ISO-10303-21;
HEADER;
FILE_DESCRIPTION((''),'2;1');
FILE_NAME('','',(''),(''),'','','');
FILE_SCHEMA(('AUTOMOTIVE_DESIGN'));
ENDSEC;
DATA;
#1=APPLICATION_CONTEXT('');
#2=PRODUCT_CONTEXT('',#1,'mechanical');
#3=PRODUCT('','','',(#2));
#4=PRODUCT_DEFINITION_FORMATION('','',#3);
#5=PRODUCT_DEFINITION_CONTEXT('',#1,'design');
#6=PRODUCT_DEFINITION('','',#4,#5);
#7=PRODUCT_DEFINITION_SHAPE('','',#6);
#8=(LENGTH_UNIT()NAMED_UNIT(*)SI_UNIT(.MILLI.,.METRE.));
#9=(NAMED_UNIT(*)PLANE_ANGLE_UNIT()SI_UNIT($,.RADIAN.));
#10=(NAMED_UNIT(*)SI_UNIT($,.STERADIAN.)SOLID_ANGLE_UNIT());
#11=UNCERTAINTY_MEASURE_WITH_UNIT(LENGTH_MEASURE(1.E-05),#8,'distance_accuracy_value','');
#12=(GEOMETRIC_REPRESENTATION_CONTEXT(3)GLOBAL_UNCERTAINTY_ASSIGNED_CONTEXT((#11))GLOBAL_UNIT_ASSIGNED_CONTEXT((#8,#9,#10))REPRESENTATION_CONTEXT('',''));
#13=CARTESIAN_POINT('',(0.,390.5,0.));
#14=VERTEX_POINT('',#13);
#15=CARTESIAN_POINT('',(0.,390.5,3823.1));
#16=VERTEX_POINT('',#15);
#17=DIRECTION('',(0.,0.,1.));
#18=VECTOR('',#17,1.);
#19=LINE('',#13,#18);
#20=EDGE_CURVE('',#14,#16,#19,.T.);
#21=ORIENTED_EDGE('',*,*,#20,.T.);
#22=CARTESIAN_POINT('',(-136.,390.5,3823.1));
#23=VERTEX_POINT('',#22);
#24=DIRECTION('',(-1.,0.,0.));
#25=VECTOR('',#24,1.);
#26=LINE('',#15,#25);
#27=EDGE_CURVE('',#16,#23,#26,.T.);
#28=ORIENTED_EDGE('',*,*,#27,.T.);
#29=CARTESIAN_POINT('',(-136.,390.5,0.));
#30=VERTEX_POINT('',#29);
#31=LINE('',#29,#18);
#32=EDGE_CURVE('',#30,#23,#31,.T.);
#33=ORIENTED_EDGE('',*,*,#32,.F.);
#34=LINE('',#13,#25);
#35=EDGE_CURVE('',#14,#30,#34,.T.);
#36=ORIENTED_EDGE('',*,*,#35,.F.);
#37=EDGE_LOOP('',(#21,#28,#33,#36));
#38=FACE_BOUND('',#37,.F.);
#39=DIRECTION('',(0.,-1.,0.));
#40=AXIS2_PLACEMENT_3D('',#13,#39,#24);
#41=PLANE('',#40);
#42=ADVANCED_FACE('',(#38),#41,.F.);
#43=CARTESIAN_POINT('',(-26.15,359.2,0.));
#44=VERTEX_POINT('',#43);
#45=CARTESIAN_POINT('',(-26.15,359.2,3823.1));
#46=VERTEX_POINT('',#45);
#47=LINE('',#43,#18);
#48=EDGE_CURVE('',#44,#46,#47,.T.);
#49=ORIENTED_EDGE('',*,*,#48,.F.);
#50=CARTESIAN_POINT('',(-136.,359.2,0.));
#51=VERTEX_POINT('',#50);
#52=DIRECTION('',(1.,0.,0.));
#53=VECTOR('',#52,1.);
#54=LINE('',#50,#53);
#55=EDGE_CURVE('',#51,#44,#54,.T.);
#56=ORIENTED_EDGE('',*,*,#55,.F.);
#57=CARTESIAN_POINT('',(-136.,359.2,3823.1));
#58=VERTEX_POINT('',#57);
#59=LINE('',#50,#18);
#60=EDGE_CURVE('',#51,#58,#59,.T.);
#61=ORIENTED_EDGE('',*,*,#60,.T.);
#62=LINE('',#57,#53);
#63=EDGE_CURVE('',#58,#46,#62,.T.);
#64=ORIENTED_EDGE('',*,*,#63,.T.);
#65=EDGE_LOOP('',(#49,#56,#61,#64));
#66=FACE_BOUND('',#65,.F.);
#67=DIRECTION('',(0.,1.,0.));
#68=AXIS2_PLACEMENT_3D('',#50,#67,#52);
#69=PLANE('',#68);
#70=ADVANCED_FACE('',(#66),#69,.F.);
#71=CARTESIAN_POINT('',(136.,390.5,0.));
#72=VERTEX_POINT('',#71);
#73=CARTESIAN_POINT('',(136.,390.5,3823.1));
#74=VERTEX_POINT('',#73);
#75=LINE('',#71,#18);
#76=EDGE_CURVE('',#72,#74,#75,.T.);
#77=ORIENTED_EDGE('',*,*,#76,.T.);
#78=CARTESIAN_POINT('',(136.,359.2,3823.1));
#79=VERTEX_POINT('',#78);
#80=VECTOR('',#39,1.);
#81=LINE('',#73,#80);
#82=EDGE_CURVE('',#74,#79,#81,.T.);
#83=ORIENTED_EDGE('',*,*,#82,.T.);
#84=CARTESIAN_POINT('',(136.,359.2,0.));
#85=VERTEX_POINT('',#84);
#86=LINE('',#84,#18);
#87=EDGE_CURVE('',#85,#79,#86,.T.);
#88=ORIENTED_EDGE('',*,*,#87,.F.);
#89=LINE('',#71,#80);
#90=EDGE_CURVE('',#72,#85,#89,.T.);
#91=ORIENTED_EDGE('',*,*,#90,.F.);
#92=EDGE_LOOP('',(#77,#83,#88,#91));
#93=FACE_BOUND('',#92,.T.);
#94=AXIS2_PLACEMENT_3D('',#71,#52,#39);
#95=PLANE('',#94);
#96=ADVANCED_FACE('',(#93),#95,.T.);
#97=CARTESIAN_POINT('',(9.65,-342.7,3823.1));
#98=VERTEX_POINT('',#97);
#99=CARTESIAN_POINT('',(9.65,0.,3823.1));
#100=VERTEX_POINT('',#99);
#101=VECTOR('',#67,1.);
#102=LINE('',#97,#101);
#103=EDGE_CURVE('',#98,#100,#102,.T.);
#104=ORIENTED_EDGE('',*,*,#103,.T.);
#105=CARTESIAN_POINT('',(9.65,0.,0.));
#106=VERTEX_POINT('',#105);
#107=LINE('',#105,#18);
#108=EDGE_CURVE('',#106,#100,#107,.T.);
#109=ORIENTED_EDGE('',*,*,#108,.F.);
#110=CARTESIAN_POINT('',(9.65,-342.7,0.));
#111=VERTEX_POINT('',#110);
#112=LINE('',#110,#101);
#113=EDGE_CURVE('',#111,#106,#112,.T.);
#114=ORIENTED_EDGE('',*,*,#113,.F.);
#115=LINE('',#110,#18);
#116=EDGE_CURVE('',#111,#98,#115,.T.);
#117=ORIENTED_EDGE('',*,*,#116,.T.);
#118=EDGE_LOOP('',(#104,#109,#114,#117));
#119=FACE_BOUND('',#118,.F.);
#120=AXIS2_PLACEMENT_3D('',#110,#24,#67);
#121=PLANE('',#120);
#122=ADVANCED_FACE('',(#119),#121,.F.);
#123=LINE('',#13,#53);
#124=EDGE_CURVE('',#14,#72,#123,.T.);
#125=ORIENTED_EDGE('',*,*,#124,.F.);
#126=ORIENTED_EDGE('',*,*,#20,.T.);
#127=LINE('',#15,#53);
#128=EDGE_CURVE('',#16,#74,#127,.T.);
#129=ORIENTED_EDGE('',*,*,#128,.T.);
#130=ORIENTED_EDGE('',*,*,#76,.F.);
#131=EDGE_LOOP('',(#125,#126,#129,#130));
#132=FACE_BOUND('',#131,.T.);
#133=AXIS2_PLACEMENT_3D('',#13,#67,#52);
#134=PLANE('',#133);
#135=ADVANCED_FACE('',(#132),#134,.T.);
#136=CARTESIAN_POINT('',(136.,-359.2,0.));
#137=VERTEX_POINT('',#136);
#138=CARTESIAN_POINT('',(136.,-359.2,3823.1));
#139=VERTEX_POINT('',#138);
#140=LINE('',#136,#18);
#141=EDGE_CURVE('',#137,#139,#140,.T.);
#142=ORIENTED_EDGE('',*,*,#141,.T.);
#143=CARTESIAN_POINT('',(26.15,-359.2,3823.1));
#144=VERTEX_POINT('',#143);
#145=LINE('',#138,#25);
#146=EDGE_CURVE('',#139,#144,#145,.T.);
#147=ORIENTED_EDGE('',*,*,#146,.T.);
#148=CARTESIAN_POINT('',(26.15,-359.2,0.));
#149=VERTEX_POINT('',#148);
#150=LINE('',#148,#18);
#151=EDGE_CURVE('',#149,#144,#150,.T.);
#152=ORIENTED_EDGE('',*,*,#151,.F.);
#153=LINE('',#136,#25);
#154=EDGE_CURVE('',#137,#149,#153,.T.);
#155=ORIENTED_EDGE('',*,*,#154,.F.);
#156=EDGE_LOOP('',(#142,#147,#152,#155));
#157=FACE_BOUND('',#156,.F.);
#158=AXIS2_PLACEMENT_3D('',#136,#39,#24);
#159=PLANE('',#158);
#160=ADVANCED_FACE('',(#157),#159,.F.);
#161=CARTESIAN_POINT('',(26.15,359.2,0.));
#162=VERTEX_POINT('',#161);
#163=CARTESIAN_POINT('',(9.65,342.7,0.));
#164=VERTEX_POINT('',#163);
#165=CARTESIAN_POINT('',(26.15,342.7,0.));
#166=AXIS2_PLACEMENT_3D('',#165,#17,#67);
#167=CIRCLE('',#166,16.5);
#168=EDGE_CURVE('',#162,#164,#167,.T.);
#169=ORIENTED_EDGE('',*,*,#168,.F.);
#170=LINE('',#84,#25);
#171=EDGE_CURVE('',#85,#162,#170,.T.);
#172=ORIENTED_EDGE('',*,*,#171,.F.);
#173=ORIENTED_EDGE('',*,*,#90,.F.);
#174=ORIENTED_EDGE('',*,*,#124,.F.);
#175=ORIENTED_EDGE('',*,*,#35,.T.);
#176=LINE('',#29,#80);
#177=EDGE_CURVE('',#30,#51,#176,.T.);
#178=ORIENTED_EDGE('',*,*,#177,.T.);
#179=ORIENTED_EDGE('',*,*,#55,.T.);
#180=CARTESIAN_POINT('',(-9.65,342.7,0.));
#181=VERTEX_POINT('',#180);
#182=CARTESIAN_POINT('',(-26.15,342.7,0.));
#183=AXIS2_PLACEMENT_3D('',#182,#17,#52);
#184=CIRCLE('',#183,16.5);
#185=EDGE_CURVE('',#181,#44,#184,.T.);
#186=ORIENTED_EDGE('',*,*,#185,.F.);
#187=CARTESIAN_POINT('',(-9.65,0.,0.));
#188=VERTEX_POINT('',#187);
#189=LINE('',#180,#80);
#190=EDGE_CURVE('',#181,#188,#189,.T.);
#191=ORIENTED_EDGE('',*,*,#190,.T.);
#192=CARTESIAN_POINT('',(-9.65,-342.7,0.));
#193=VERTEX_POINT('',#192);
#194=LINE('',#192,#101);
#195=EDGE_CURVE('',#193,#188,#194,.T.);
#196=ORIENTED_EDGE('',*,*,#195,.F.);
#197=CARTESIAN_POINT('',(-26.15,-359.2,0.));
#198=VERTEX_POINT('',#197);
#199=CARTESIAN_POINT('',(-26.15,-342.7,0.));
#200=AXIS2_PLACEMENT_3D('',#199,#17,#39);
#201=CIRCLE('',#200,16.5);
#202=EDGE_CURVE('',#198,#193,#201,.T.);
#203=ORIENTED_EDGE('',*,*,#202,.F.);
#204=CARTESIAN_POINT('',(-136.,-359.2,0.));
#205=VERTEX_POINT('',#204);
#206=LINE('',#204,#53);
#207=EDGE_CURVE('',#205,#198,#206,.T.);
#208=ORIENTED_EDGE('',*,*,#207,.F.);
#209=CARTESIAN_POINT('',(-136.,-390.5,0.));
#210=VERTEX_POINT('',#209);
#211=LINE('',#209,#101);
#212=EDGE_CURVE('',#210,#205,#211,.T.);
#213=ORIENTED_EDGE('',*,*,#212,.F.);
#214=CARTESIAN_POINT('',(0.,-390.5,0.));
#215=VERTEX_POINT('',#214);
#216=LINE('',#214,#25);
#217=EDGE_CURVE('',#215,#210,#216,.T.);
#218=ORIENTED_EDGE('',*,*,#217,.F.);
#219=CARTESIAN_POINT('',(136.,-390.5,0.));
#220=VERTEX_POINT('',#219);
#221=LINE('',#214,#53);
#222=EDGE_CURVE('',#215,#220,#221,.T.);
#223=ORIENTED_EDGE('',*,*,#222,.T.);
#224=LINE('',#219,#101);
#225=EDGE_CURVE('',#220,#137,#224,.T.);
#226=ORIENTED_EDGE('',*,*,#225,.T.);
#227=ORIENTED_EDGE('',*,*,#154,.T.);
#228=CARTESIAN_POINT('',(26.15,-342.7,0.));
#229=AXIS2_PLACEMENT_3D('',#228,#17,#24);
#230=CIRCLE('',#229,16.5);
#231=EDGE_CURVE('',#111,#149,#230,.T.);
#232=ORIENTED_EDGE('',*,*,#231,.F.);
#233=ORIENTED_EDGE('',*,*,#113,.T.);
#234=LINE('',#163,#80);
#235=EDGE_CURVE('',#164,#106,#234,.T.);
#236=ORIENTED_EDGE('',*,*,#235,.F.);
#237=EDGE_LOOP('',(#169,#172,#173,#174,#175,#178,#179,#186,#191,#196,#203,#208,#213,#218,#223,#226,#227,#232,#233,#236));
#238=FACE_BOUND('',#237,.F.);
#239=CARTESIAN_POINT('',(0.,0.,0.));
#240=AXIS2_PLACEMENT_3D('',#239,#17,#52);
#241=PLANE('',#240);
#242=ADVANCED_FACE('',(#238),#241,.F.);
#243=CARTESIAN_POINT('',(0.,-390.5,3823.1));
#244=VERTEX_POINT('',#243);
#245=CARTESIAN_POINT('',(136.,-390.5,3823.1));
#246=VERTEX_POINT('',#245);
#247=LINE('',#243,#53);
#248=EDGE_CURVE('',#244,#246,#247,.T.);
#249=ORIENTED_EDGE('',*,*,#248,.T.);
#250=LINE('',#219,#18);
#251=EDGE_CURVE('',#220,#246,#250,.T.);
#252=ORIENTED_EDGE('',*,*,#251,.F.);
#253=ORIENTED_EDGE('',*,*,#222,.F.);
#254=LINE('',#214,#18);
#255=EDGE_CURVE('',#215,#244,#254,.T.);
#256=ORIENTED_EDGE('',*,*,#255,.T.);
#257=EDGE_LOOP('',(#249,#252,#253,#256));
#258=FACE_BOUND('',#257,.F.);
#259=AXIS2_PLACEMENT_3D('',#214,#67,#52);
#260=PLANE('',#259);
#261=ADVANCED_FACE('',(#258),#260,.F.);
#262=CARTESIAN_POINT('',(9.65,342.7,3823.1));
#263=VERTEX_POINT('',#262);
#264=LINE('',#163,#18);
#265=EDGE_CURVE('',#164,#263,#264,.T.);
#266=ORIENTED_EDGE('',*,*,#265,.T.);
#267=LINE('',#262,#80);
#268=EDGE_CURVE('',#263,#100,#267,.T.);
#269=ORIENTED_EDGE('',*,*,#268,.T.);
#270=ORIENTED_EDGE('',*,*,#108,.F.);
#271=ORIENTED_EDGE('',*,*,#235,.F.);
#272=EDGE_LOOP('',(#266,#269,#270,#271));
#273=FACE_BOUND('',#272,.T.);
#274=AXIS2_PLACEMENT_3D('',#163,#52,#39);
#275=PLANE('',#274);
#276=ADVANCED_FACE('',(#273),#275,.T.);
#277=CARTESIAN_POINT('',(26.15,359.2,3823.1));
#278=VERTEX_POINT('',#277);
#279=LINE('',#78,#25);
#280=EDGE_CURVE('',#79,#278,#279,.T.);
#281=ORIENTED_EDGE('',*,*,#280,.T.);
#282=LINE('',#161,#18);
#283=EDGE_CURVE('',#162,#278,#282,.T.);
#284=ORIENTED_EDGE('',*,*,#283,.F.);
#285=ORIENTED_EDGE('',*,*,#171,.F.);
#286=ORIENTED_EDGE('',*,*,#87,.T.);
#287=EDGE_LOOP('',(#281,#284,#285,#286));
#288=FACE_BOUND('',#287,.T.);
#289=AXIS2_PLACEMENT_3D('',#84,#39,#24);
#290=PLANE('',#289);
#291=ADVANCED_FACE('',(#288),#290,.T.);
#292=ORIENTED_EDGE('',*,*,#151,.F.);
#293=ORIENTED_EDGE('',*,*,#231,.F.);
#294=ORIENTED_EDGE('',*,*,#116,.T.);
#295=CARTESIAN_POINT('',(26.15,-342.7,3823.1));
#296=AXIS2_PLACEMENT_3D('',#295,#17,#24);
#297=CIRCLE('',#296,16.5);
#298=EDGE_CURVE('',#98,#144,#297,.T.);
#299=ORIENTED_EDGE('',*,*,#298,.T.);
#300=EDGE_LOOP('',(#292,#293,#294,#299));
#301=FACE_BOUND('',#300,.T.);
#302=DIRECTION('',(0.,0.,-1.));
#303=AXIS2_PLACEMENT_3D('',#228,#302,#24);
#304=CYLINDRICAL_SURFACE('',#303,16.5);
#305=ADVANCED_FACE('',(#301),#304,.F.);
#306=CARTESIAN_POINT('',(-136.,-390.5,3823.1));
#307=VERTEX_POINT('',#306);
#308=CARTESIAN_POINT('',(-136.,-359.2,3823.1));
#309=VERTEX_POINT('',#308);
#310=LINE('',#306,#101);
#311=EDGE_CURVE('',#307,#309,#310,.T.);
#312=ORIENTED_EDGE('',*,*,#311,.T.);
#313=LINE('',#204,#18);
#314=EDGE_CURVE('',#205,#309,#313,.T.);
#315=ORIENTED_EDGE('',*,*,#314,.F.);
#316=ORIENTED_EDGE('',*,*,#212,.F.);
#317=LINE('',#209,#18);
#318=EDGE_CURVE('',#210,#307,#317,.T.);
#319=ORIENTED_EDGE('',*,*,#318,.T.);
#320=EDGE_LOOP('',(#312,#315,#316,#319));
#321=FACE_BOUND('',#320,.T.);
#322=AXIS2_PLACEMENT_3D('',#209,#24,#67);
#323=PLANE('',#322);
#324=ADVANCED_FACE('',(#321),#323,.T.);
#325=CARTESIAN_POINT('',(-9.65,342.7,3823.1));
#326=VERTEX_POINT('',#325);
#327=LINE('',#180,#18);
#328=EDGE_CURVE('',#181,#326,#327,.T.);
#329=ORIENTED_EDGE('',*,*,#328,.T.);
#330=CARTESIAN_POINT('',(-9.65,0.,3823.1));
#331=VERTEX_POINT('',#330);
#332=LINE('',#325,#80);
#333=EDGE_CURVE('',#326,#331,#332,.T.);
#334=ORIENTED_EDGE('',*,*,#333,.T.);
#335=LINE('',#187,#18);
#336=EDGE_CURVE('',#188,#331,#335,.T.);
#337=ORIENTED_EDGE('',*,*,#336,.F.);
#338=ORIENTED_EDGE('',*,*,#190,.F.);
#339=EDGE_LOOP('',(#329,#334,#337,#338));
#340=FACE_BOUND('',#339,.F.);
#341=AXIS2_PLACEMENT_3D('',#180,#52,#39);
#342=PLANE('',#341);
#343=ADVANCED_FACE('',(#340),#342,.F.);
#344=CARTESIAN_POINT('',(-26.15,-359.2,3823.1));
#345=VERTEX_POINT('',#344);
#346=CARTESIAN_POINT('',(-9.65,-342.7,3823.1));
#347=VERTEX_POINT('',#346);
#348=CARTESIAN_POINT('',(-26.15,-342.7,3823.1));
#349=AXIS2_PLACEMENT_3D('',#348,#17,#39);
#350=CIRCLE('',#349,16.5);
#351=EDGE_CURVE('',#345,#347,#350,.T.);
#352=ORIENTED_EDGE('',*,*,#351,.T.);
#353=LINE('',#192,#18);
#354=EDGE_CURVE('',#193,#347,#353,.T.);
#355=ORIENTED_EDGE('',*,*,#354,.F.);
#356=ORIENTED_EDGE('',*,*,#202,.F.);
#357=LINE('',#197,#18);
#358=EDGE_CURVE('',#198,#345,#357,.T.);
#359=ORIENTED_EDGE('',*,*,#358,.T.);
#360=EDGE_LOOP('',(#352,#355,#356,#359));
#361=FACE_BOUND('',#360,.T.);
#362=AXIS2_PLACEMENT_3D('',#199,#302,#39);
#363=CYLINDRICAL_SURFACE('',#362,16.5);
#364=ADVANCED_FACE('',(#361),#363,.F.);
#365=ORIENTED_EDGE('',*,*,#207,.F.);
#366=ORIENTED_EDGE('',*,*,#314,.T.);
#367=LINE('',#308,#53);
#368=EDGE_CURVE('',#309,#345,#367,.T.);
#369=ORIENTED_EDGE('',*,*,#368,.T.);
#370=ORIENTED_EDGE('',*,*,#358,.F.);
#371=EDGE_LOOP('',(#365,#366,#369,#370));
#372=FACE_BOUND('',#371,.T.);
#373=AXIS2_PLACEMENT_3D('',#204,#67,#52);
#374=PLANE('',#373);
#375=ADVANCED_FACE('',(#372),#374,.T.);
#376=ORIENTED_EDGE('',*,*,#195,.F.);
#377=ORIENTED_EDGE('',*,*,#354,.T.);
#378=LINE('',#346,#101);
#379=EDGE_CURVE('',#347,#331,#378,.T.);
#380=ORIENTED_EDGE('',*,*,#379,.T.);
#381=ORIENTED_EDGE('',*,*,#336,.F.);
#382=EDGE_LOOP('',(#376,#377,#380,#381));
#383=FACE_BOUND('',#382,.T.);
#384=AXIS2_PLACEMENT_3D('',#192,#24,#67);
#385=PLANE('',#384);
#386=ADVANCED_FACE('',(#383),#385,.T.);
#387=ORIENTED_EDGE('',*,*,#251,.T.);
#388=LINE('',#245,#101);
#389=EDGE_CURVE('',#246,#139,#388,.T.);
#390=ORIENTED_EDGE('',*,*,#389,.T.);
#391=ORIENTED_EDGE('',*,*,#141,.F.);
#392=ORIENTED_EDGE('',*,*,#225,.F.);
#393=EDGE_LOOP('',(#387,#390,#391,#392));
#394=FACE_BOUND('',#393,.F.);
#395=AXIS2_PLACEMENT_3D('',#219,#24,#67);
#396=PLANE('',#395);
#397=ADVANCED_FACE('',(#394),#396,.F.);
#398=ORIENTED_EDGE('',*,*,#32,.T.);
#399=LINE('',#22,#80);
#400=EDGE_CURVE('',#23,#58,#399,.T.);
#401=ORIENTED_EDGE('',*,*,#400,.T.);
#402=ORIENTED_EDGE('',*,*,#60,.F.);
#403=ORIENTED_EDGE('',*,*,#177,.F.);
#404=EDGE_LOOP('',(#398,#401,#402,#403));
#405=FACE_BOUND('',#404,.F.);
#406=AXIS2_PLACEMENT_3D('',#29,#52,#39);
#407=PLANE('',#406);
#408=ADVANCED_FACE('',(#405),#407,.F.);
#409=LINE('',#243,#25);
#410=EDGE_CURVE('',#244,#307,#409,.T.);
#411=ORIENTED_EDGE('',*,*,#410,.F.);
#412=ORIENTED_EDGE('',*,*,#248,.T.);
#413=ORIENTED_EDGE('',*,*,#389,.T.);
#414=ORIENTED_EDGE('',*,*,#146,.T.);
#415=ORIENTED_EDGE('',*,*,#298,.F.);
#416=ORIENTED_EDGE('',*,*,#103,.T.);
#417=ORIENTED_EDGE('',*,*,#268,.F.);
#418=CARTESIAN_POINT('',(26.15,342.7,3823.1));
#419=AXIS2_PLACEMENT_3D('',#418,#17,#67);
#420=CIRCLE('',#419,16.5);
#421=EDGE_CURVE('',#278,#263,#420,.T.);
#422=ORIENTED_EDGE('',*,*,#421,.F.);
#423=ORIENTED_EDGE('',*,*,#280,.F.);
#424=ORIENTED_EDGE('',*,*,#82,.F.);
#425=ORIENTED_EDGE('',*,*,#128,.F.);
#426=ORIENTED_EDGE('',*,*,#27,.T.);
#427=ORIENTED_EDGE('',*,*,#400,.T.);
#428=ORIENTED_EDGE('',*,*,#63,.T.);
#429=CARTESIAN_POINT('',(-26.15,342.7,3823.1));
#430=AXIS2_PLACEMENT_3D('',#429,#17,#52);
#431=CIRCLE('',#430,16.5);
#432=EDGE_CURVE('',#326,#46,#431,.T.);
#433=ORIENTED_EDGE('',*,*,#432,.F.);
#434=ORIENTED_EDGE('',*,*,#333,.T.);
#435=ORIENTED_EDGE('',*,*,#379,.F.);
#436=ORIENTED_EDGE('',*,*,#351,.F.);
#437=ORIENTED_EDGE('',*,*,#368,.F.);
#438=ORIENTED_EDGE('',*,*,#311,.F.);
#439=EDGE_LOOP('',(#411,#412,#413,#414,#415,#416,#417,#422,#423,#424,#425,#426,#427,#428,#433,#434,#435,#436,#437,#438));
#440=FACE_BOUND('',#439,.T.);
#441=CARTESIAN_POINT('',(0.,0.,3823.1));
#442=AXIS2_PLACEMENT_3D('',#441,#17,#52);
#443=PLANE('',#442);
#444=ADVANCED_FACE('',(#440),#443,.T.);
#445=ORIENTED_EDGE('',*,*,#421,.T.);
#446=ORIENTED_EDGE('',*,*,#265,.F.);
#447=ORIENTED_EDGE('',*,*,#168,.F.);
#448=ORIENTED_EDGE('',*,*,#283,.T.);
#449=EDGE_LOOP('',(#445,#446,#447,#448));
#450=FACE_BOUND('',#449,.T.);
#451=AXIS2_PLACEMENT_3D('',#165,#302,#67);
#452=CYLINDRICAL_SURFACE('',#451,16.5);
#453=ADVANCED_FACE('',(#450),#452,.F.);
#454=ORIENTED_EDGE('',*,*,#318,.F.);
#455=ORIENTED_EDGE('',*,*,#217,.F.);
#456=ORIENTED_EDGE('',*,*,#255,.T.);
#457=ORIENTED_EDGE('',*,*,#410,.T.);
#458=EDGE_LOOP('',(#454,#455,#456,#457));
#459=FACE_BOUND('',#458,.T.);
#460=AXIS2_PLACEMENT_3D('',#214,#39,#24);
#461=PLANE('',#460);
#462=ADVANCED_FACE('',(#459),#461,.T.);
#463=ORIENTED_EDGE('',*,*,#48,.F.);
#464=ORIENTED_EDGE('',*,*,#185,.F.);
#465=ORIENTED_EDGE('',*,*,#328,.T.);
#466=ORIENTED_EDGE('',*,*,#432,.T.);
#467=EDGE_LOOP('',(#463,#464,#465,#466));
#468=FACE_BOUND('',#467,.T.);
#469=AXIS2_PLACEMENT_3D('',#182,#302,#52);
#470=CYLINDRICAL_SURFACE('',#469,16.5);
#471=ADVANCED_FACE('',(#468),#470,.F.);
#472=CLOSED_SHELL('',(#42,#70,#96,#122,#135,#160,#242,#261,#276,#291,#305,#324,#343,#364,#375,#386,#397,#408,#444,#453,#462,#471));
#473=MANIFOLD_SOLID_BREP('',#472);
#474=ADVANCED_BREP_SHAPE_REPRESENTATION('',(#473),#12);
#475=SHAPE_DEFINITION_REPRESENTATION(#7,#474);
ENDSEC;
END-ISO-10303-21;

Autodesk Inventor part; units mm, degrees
ref_plane "YZ Plane" through (0, 0, 0) normal (1, 0, 0) x (0, 1, 0)
ref_plane "Start plane" through (0, 0, 0) normal (0, 0, 1) x (1, 0, 0)
ref_plane "End plane" through (0, 0, 3823.1) normal (0, 0, 1) x (1, 0, 0)
sketch "Sketch" plane through (0, 0, 0) normal (0, 0, 1) x (1, 0, 0)
  line L0 (-136, -390.5) -> (-136, -359.2)
  line L1 (-136, -359.2) -> (-26.15, -359.2)
  line L2 (-9.65, -342.7) -> (-9.65, 0)
  line L3 (-9.65, 0) -> (0, 0) construction
  line L4 (0, 0) -> (0, -390.5) construction
  line L5 (0, -390.5) -> (-136, -390.5)
  line L6 (-60, 0) -> (80, 0) construction
  line L7 (0, -60) -> (0, 80) construction
  line L8 (136, -390.5) -> (136, -359.2)
  line L9 (136, -359.2) -> (26.15, -359.2)
  line L10 (9.65, -342.7) -> (9.65, 0)
  line L11 (9.65, 0) -> (0, 0) construction
  line L12 (0, -390.5) -> (136, -390.5)
  line L13 (-136, 390.5) -> (-136, 359.2)
  line L14 (-136, 359.2) -> (-26.15, 359.2)
  line L15 (-9.65, 342.7) -> (-9.65, 0)
  line L16 (0, 390.5) -> (-136, 390.5)
  line L17 (136, 390.5) -> (136, 359.2)
  line L18 (136, 359.2) -> (26.15, 359.2)
  line L19 (0, 390.5) -> (136, 390.5)
  line L20 (9.65, 342.7) -> (9.65, 0)
  arc A0 (-9.65, 342.7) -> (-26.15, 359.2) centre (-26.15, 342.7) ccw
  arc A1 (26.15, 359.2) -> (9.65, 342.7) centre (26.15, 342.7) ccw
  arc A2 (9.65, -342.7) -> (26.15, -359.2) centre (26.15, -342.7) ccw
  arc A3 (-26.15, -359.2) -> (-9.65, -342.7) centre (-26.15, -342.7) ccw
  line L21 (0, 108) -> (0, -88) construction
  line L22 (-88, 0) -> (108, 0) construction
  point P0 (-9.65, -359.2)
  point P1 (9.65, -359.2)
  point P2 (-9.65, 359.2)
  point P3 (9.65, 359.2)
  dimension "d1" = 390.5
  dimension "d2" = 31.3
  dimension "d3" = 136
  dimension "d4" = 9.65
  dimension "d10" = 16.5
extrude "Body" add sketch "Sketch" along normal up to surface (3823.1 mm away) from surface at 0
sketch "Sketch4" plane through (0, 0, 0) normal (0, 0, 1) x (1, 0, 0)
  line L0 (0, 0) -> (10, 0)
ref_plane "Work Plane3" through (0, 0, 0) normal (0, -1, 0) x (1, 0, 0)
sketch "Sketch5" plane through (0, 0, 0) normal (0, -1, 0) x (1, 0, 0)
  line L0 (-2, 0) -> (12, 0) projected
  line L1 (-2, 3823.1) -> (12, 3823.1) projected
  dimension "d14" = 3823.1
equation "\"d1\" = 0.5 * G_H"
equation "\"d2\" = G_T1"
equation "\"d3\" = 0.5 * G_W"
equation "\"d4\" = 0.5 * G_T"
equation "\"d10\" = G_IR"
equation "\"d5\" = G_L"
equation "\"G_W\" = 272"
equation "\"G_H\" = 781"
equation "\"G_T\" = 19.3"
equation "\"G_T1\" = 31.3"
equation "\"G_IR\" = 16.5"
equation "\"G_L\" = d14"
equation "\"G_OFFSET_START\" = 0"
equation "\"G_OFFSET_END\" = 0"
equation "\"d12\" = G_OFFSET_END + B_L"
equation "\"B_L\" = 3823.1"
properties part number "AS 3679-1990 - 760 UB - 244 - 3823.1" material "Steel, Mild"
